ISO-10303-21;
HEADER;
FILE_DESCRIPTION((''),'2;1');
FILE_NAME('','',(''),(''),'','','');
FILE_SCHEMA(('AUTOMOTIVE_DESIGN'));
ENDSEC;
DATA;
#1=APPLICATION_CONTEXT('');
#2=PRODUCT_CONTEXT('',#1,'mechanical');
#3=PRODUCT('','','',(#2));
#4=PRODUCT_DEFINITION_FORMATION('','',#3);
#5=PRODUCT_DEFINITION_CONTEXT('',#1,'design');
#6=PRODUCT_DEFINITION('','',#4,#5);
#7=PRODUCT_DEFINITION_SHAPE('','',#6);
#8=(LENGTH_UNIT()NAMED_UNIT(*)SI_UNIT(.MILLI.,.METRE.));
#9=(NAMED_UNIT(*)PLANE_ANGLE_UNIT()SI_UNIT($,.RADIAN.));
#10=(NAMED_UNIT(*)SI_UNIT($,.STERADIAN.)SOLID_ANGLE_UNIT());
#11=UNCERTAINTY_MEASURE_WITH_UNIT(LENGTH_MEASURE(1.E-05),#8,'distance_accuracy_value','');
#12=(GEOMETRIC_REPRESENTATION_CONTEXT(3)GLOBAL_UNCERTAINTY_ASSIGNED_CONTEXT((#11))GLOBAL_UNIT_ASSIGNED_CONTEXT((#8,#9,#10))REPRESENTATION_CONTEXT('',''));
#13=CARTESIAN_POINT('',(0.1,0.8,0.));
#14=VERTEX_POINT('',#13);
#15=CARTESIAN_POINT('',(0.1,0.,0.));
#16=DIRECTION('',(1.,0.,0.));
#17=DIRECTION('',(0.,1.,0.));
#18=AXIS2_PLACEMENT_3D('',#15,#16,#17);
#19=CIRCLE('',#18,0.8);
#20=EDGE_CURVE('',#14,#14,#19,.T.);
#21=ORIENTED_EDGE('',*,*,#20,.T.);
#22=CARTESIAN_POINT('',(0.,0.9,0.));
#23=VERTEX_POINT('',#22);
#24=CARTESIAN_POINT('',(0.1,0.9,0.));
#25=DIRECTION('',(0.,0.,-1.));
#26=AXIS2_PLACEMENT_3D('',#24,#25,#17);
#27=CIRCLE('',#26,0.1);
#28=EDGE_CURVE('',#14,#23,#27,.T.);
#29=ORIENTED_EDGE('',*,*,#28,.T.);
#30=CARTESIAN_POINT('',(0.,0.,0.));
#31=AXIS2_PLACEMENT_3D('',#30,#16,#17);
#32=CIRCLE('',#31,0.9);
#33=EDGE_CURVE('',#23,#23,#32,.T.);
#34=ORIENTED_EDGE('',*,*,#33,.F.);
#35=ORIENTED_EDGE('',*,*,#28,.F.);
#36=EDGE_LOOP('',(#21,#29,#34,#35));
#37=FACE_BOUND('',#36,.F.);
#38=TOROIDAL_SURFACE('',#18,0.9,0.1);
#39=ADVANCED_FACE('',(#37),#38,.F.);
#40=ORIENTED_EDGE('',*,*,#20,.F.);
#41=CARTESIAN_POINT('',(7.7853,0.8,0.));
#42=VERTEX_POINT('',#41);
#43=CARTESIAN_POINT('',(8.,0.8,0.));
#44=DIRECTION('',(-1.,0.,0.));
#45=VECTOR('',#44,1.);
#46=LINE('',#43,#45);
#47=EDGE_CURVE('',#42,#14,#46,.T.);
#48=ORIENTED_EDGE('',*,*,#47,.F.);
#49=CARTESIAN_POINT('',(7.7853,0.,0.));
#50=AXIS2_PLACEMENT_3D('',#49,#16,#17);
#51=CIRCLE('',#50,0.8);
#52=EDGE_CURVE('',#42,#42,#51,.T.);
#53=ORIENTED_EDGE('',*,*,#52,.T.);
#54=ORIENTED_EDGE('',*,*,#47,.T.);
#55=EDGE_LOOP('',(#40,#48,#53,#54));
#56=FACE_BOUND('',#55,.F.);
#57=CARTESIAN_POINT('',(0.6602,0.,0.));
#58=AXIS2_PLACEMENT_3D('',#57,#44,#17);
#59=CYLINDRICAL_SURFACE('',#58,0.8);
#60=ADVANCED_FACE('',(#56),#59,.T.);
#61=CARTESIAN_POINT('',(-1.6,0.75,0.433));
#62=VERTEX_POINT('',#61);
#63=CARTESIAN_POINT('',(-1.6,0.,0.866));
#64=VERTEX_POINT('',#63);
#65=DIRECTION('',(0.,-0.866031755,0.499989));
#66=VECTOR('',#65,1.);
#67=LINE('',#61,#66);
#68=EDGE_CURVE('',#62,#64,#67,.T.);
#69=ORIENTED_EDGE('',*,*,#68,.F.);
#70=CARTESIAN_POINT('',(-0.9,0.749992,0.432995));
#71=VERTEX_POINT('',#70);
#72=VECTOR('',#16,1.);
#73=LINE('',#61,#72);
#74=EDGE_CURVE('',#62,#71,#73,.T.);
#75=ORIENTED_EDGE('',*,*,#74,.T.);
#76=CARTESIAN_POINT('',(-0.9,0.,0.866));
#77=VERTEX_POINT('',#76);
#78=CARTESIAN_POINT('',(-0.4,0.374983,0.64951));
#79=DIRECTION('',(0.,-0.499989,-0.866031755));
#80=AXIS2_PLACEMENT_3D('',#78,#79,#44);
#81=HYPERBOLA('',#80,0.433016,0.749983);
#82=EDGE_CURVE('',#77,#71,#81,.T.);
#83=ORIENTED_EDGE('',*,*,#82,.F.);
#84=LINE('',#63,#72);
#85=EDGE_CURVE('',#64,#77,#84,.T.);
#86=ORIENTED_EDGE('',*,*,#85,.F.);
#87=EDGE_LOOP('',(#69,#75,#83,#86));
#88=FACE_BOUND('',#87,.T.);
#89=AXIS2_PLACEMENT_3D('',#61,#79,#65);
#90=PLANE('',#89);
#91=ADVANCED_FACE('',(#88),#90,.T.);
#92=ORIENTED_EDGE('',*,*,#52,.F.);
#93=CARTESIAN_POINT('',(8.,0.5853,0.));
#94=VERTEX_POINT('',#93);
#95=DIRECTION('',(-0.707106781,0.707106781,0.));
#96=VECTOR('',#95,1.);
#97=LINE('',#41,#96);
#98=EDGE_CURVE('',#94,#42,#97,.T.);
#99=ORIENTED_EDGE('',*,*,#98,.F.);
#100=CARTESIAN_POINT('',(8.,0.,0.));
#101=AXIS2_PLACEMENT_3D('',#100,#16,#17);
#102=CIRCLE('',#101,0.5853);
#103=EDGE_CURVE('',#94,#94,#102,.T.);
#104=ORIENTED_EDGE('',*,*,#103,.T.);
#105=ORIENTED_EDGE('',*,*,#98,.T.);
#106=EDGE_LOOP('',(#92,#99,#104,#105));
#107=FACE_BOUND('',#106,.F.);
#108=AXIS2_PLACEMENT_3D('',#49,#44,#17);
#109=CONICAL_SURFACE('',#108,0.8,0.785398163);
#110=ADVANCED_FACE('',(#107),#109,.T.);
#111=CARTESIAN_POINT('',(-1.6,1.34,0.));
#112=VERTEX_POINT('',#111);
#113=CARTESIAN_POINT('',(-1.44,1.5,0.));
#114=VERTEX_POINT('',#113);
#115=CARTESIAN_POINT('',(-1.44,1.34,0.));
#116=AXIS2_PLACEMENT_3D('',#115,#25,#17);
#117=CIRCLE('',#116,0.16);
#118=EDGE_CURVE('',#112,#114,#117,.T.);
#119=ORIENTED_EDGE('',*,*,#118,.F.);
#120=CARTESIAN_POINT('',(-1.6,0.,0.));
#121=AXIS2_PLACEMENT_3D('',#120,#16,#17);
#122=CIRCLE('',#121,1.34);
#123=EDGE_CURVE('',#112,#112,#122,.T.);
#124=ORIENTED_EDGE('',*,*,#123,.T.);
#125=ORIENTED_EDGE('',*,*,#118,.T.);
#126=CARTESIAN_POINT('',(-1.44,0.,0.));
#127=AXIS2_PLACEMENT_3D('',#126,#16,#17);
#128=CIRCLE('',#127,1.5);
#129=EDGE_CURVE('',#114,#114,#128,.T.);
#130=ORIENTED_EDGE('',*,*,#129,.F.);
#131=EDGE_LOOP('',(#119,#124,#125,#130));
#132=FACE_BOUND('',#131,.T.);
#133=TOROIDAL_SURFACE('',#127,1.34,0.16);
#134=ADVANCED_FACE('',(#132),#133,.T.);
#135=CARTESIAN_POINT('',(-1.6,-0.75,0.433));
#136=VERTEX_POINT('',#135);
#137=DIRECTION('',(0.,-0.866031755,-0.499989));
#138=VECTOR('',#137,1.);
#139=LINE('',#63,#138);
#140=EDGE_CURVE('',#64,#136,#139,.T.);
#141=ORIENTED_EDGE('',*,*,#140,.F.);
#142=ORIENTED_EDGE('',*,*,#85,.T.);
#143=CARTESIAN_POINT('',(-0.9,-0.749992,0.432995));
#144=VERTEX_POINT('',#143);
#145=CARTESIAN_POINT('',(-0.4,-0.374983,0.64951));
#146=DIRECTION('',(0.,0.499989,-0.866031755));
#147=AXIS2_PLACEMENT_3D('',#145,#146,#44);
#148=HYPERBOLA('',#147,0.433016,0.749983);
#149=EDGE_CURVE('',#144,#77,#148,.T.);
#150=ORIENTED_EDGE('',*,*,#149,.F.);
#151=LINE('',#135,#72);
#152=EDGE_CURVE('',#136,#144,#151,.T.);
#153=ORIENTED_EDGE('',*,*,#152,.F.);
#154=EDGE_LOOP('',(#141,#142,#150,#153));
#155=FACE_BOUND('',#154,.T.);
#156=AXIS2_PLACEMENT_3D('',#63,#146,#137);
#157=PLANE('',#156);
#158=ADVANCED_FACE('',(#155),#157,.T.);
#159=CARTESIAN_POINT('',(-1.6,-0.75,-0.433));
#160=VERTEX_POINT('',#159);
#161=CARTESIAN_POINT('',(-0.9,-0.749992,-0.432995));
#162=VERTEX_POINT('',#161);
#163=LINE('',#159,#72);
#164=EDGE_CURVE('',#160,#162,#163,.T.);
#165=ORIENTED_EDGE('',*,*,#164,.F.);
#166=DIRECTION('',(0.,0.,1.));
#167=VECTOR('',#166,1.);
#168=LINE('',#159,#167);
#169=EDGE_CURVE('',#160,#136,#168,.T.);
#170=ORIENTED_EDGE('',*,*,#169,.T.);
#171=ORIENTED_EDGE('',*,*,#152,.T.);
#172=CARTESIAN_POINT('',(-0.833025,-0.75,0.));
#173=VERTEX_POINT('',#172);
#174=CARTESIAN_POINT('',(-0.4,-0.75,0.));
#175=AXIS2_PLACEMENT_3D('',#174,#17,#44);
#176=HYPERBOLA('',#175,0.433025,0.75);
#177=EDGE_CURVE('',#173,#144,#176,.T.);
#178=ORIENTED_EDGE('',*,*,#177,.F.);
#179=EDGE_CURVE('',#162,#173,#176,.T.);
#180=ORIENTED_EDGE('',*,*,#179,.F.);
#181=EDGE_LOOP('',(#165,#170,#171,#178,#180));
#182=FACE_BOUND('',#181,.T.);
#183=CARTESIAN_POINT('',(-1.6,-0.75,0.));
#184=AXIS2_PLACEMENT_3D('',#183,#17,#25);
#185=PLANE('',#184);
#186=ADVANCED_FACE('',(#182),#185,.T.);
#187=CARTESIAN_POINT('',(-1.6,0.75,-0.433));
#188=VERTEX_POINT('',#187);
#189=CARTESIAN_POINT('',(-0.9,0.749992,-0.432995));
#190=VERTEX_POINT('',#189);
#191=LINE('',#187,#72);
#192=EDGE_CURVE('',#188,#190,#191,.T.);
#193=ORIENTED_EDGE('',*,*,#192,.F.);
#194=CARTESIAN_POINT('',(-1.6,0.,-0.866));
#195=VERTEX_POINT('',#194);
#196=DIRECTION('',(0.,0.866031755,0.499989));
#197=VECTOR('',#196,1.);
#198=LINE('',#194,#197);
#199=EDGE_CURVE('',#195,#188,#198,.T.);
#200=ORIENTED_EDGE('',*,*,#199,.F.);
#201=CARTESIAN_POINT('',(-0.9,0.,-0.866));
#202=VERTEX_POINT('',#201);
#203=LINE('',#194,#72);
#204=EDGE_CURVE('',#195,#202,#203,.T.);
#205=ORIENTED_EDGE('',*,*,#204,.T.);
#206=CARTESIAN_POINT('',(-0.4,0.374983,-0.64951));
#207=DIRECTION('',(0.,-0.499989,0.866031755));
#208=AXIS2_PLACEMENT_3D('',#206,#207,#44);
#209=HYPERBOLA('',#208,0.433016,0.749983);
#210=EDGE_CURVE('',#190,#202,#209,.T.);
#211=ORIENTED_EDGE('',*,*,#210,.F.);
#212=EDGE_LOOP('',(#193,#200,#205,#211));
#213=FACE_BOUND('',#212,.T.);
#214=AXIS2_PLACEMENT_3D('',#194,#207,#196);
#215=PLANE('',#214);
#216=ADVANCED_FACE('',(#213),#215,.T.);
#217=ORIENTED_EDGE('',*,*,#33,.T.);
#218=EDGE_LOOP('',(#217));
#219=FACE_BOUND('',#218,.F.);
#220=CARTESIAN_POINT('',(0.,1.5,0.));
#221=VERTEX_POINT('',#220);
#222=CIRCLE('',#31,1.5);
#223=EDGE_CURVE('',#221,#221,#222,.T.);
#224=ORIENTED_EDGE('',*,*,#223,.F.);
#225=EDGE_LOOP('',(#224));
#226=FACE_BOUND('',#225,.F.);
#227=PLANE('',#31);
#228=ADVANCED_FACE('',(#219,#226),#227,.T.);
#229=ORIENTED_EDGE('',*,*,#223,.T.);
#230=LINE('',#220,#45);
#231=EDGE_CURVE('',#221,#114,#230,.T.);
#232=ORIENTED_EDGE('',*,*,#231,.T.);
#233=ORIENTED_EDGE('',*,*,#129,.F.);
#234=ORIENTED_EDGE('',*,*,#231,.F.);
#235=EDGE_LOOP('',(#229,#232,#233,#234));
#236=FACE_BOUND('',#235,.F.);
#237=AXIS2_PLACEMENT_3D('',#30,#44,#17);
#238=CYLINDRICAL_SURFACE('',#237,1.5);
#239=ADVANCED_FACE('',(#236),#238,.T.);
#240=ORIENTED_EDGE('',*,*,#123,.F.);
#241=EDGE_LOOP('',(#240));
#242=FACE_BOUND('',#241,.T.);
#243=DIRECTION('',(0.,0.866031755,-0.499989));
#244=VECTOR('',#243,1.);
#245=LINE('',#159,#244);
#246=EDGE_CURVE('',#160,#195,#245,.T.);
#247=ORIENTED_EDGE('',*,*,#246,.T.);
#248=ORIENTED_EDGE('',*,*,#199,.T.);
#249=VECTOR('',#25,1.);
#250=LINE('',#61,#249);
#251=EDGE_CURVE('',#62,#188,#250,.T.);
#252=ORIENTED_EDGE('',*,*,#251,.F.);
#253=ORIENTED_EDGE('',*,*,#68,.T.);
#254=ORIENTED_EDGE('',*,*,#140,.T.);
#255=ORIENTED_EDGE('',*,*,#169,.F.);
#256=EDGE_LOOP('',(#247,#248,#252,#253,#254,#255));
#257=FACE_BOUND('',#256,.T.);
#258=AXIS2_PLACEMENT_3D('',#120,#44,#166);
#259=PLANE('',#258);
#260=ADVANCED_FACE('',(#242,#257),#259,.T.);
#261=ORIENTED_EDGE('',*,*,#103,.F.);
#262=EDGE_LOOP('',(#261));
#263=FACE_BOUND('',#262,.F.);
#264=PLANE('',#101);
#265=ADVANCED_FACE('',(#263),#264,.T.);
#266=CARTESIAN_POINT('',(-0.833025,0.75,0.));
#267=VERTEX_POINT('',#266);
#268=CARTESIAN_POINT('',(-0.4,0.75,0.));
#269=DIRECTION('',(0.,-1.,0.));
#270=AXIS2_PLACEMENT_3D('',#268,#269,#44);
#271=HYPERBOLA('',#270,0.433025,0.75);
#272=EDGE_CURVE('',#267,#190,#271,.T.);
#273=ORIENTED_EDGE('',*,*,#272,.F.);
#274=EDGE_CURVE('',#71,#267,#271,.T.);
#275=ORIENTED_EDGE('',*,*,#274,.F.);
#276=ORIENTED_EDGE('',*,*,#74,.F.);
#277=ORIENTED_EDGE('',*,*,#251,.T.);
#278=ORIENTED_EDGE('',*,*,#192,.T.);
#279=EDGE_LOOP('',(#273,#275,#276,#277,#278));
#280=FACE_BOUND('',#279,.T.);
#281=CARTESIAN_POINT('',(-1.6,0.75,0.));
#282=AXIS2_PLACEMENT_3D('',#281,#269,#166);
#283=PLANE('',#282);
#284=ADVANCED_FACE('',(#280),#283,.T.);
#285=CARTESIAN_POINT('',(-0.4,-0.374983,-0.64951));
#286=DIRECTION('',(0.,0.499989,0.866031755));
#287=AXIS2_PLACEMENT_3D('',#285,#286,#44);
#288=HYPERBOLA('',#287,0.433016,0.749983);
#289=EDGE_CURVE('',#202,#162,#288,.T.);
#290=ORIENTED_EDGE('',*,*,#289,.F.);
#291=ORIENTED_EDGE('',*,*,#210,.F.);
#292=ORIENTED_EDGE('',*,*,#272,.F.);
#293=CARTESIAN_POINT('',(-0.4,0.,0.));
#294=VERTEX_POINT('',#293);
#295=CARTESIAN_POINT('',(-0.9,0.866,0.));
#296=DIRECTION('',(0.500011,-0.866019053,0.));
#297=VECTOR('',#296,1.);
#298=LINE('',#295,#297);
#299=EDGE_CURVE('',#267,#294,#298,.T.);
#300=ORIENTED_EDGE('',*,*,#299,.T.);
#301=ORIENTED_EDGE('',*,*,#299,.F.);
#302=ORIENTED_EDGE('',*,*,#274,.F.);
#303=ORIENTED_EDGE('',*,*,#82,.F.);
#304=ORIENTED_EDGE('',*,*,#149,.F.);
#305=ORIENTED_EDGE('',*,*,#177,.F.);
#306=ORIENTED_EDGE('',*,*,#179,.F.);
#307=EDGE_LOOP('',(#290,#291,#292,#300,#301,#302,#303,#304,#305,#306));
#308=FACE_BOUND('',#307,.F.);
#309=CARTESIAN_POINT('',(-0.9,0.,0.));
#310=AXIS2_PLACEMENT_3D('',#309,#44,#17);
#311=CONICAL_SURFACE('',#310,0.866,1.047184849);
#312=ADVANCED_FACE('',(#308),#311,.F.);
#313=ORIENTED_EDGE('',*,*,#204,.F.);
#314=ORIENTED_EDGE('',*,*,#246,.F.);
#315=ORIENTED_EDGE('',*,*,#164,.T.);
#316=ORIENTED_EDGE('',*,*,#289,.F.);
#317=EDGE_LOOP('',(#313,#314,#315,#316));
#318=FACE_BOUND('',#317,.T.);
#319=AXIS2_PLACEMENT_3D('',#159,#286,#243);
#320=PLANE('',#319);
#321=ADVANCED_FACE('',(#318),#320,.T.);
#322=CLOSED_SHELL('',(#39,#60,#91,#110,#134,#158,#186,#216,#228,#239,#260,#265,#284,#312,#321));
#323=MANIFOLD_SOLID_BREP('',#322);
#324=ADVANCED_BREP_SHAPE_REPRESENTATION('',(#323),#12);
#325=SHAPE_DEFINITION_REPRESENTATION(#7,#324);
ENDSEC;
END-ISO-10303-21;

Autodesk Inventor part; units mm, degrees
ref_plane "YZ Plane" through (0, 0, 0) normal (1, 0, 0) x (0, 1, 0)
ref_plane "XZ Plane" through (0, 0, 0) normal (0, 1, 0) x (-1, 0, 0)
sketch "Sketch1" plane through (0, 0, 0) normal (0, 0, 1) x (1, 0, 0)
  line L0 (-0.4, 0) -> (8, 0)
  line L1 (8, 0) -> (8, 0.8)
  line L2 (8, 0.8) -> (0.875, 0.8)
  line L3 (0.875, 0.8) -> (0.6602, 0.8)
  line L4 (0.6602, 0.8) -> (0, 0.8)
  line L5 (0, 0.8) -> (0, 1.5)
  line L6 (0, 1.5) -> (-1.6, 1.5)
  line L7 (-1.6, 1.5) -> (-1.6, 0.866)
  line L8 (-1.6, 0.866) -> (-0.9, 0.866)
  line L9 (-0.9, 0.866) -> (-0.4, 0)
  line L10 (-3.52, 0) -> (9.92, 0) projected
  line L11 (0, -0.3) -> (0, 1.8) projected
  line L12 (0.875, 0.8) -> (0, 0.8) construction
  dimension "d1" = 7.125
  dimension "d2" = 0.2148
  dimension "d3" = 1.6
  dimension "d4" = 0.7
  dimension "d5" = 60
  dimension "d6" = 1.6
  dimension "d7" = 1.6
  dimension "d8" = 1.7321
  dimension "d9" = 3
  dimension "d26" = 8
revolve "Body" add sketch "Sketch1" angle 360 about axis through (-0.4, 0, 0) along (1, 0, 0)
sketch "Sketch2" plane through (-1.6, 0, 0) normal (-1, 0, 0) x (0, 0, 1)
  circle A0 centre (0, 0) radius 0.866 projected
  line L0 (0, -2.1) -> (0, 2.1) projected
  line L1 (-2.1, 0) -> (2.1, 0) projected
  line L2 (0.866, 0) -> (0.433, -0.75)
  line L3 (0.433, -0.75) -> (-0.433, -0.75)
  line L4 (-0.433, -0.75) -> (-0.866, 0)
  line L5 (-0.866, 0) -> (-0.433, 0.75)
  line L6 (-0.433, 0.75) -> (0.433, 0.75)
  line L7 (0.433, 0.75) -> (0.866, 0)
extrude "Slot" add sketch "Sketch2" against normal up to next contours L7 A0 | A0 L2 | L6 L0 A0 | A0 L0 L3 | L0 L6 A0 | A0 L3 L0 | L4 A0 | A0 L5
fillet "Fillet1" radius 0.16 1 edges at (-1.6, -1.5, 0)
thread "Thread" size "M1.6x0.35" class "6g" standard "ISO Metric profile" length 7.125
chamfer "Chamfer1" distance 0.2147 distance2 0.2147 1 edges at (8, -0.8, 0) measured on face at (8, 0.1996, -0.1768)
ref_plane "Work Plane1" through (29, 0, 0) normal (0, -1, 0) x (1, 0, 0)
fillet "Fillet2" radius 0.1 1 edges at (0, -0.8, 0)
equation "\"d1\" = GEL"
equation "\"d3\" = KOH"
equation "\"d4\" = INTI"
equation "\"d6\" = GD"
equation "\"d7\" = BDM"
equation "\"d8\" = 1.1547 * SW"
equation "\"d9\" = KOD"
equation "\"d26\" = NLG"
equation "\"d30\" = R"
equation "\"d17\" = RR"
equation "\"d13\" = GEL"
equation "\"d15\" = -0.5 * SPD + 0.5 * GD"
equation "\"d16\" = GUL"
equation "\"GD\" = 1.6"
equation "\"NLG\" = 8"
equation "\"GEL\" = 7.125"
equation "\"KOD\" = 3"
equation "\"KOH\" = 1.6"
equation "\"INTI\" = 0.7"
equation "\"GAL\" = 0.61345 * PTC"
equation "\"GUL\" = 0.61345 * PTC"
equation "\"BDM\" = NND"
equation "\"SW\" = 1.5"
equation "\"RR\" = 0.16"
equation "\"SPD\" = NND - 1.2269 * PTC"
equation "\"R\" = 0.1"
equation "\"TOA\" = 30deg"
equation "\"GD1\" = THREADDIA - 1.2269 * PTC"
equation "\"THREADDIA\" = 1.6"
equation "\"FAWI\" = 45deg"
equation "\"PTC\" = 0.35"
equation "\"NND\" = 1.6"
equation "\"E0\" = 1.155 * SW"
properties part number "ISO 4762 - M1.6 x 8" material "Stainless Steel, 440C"
